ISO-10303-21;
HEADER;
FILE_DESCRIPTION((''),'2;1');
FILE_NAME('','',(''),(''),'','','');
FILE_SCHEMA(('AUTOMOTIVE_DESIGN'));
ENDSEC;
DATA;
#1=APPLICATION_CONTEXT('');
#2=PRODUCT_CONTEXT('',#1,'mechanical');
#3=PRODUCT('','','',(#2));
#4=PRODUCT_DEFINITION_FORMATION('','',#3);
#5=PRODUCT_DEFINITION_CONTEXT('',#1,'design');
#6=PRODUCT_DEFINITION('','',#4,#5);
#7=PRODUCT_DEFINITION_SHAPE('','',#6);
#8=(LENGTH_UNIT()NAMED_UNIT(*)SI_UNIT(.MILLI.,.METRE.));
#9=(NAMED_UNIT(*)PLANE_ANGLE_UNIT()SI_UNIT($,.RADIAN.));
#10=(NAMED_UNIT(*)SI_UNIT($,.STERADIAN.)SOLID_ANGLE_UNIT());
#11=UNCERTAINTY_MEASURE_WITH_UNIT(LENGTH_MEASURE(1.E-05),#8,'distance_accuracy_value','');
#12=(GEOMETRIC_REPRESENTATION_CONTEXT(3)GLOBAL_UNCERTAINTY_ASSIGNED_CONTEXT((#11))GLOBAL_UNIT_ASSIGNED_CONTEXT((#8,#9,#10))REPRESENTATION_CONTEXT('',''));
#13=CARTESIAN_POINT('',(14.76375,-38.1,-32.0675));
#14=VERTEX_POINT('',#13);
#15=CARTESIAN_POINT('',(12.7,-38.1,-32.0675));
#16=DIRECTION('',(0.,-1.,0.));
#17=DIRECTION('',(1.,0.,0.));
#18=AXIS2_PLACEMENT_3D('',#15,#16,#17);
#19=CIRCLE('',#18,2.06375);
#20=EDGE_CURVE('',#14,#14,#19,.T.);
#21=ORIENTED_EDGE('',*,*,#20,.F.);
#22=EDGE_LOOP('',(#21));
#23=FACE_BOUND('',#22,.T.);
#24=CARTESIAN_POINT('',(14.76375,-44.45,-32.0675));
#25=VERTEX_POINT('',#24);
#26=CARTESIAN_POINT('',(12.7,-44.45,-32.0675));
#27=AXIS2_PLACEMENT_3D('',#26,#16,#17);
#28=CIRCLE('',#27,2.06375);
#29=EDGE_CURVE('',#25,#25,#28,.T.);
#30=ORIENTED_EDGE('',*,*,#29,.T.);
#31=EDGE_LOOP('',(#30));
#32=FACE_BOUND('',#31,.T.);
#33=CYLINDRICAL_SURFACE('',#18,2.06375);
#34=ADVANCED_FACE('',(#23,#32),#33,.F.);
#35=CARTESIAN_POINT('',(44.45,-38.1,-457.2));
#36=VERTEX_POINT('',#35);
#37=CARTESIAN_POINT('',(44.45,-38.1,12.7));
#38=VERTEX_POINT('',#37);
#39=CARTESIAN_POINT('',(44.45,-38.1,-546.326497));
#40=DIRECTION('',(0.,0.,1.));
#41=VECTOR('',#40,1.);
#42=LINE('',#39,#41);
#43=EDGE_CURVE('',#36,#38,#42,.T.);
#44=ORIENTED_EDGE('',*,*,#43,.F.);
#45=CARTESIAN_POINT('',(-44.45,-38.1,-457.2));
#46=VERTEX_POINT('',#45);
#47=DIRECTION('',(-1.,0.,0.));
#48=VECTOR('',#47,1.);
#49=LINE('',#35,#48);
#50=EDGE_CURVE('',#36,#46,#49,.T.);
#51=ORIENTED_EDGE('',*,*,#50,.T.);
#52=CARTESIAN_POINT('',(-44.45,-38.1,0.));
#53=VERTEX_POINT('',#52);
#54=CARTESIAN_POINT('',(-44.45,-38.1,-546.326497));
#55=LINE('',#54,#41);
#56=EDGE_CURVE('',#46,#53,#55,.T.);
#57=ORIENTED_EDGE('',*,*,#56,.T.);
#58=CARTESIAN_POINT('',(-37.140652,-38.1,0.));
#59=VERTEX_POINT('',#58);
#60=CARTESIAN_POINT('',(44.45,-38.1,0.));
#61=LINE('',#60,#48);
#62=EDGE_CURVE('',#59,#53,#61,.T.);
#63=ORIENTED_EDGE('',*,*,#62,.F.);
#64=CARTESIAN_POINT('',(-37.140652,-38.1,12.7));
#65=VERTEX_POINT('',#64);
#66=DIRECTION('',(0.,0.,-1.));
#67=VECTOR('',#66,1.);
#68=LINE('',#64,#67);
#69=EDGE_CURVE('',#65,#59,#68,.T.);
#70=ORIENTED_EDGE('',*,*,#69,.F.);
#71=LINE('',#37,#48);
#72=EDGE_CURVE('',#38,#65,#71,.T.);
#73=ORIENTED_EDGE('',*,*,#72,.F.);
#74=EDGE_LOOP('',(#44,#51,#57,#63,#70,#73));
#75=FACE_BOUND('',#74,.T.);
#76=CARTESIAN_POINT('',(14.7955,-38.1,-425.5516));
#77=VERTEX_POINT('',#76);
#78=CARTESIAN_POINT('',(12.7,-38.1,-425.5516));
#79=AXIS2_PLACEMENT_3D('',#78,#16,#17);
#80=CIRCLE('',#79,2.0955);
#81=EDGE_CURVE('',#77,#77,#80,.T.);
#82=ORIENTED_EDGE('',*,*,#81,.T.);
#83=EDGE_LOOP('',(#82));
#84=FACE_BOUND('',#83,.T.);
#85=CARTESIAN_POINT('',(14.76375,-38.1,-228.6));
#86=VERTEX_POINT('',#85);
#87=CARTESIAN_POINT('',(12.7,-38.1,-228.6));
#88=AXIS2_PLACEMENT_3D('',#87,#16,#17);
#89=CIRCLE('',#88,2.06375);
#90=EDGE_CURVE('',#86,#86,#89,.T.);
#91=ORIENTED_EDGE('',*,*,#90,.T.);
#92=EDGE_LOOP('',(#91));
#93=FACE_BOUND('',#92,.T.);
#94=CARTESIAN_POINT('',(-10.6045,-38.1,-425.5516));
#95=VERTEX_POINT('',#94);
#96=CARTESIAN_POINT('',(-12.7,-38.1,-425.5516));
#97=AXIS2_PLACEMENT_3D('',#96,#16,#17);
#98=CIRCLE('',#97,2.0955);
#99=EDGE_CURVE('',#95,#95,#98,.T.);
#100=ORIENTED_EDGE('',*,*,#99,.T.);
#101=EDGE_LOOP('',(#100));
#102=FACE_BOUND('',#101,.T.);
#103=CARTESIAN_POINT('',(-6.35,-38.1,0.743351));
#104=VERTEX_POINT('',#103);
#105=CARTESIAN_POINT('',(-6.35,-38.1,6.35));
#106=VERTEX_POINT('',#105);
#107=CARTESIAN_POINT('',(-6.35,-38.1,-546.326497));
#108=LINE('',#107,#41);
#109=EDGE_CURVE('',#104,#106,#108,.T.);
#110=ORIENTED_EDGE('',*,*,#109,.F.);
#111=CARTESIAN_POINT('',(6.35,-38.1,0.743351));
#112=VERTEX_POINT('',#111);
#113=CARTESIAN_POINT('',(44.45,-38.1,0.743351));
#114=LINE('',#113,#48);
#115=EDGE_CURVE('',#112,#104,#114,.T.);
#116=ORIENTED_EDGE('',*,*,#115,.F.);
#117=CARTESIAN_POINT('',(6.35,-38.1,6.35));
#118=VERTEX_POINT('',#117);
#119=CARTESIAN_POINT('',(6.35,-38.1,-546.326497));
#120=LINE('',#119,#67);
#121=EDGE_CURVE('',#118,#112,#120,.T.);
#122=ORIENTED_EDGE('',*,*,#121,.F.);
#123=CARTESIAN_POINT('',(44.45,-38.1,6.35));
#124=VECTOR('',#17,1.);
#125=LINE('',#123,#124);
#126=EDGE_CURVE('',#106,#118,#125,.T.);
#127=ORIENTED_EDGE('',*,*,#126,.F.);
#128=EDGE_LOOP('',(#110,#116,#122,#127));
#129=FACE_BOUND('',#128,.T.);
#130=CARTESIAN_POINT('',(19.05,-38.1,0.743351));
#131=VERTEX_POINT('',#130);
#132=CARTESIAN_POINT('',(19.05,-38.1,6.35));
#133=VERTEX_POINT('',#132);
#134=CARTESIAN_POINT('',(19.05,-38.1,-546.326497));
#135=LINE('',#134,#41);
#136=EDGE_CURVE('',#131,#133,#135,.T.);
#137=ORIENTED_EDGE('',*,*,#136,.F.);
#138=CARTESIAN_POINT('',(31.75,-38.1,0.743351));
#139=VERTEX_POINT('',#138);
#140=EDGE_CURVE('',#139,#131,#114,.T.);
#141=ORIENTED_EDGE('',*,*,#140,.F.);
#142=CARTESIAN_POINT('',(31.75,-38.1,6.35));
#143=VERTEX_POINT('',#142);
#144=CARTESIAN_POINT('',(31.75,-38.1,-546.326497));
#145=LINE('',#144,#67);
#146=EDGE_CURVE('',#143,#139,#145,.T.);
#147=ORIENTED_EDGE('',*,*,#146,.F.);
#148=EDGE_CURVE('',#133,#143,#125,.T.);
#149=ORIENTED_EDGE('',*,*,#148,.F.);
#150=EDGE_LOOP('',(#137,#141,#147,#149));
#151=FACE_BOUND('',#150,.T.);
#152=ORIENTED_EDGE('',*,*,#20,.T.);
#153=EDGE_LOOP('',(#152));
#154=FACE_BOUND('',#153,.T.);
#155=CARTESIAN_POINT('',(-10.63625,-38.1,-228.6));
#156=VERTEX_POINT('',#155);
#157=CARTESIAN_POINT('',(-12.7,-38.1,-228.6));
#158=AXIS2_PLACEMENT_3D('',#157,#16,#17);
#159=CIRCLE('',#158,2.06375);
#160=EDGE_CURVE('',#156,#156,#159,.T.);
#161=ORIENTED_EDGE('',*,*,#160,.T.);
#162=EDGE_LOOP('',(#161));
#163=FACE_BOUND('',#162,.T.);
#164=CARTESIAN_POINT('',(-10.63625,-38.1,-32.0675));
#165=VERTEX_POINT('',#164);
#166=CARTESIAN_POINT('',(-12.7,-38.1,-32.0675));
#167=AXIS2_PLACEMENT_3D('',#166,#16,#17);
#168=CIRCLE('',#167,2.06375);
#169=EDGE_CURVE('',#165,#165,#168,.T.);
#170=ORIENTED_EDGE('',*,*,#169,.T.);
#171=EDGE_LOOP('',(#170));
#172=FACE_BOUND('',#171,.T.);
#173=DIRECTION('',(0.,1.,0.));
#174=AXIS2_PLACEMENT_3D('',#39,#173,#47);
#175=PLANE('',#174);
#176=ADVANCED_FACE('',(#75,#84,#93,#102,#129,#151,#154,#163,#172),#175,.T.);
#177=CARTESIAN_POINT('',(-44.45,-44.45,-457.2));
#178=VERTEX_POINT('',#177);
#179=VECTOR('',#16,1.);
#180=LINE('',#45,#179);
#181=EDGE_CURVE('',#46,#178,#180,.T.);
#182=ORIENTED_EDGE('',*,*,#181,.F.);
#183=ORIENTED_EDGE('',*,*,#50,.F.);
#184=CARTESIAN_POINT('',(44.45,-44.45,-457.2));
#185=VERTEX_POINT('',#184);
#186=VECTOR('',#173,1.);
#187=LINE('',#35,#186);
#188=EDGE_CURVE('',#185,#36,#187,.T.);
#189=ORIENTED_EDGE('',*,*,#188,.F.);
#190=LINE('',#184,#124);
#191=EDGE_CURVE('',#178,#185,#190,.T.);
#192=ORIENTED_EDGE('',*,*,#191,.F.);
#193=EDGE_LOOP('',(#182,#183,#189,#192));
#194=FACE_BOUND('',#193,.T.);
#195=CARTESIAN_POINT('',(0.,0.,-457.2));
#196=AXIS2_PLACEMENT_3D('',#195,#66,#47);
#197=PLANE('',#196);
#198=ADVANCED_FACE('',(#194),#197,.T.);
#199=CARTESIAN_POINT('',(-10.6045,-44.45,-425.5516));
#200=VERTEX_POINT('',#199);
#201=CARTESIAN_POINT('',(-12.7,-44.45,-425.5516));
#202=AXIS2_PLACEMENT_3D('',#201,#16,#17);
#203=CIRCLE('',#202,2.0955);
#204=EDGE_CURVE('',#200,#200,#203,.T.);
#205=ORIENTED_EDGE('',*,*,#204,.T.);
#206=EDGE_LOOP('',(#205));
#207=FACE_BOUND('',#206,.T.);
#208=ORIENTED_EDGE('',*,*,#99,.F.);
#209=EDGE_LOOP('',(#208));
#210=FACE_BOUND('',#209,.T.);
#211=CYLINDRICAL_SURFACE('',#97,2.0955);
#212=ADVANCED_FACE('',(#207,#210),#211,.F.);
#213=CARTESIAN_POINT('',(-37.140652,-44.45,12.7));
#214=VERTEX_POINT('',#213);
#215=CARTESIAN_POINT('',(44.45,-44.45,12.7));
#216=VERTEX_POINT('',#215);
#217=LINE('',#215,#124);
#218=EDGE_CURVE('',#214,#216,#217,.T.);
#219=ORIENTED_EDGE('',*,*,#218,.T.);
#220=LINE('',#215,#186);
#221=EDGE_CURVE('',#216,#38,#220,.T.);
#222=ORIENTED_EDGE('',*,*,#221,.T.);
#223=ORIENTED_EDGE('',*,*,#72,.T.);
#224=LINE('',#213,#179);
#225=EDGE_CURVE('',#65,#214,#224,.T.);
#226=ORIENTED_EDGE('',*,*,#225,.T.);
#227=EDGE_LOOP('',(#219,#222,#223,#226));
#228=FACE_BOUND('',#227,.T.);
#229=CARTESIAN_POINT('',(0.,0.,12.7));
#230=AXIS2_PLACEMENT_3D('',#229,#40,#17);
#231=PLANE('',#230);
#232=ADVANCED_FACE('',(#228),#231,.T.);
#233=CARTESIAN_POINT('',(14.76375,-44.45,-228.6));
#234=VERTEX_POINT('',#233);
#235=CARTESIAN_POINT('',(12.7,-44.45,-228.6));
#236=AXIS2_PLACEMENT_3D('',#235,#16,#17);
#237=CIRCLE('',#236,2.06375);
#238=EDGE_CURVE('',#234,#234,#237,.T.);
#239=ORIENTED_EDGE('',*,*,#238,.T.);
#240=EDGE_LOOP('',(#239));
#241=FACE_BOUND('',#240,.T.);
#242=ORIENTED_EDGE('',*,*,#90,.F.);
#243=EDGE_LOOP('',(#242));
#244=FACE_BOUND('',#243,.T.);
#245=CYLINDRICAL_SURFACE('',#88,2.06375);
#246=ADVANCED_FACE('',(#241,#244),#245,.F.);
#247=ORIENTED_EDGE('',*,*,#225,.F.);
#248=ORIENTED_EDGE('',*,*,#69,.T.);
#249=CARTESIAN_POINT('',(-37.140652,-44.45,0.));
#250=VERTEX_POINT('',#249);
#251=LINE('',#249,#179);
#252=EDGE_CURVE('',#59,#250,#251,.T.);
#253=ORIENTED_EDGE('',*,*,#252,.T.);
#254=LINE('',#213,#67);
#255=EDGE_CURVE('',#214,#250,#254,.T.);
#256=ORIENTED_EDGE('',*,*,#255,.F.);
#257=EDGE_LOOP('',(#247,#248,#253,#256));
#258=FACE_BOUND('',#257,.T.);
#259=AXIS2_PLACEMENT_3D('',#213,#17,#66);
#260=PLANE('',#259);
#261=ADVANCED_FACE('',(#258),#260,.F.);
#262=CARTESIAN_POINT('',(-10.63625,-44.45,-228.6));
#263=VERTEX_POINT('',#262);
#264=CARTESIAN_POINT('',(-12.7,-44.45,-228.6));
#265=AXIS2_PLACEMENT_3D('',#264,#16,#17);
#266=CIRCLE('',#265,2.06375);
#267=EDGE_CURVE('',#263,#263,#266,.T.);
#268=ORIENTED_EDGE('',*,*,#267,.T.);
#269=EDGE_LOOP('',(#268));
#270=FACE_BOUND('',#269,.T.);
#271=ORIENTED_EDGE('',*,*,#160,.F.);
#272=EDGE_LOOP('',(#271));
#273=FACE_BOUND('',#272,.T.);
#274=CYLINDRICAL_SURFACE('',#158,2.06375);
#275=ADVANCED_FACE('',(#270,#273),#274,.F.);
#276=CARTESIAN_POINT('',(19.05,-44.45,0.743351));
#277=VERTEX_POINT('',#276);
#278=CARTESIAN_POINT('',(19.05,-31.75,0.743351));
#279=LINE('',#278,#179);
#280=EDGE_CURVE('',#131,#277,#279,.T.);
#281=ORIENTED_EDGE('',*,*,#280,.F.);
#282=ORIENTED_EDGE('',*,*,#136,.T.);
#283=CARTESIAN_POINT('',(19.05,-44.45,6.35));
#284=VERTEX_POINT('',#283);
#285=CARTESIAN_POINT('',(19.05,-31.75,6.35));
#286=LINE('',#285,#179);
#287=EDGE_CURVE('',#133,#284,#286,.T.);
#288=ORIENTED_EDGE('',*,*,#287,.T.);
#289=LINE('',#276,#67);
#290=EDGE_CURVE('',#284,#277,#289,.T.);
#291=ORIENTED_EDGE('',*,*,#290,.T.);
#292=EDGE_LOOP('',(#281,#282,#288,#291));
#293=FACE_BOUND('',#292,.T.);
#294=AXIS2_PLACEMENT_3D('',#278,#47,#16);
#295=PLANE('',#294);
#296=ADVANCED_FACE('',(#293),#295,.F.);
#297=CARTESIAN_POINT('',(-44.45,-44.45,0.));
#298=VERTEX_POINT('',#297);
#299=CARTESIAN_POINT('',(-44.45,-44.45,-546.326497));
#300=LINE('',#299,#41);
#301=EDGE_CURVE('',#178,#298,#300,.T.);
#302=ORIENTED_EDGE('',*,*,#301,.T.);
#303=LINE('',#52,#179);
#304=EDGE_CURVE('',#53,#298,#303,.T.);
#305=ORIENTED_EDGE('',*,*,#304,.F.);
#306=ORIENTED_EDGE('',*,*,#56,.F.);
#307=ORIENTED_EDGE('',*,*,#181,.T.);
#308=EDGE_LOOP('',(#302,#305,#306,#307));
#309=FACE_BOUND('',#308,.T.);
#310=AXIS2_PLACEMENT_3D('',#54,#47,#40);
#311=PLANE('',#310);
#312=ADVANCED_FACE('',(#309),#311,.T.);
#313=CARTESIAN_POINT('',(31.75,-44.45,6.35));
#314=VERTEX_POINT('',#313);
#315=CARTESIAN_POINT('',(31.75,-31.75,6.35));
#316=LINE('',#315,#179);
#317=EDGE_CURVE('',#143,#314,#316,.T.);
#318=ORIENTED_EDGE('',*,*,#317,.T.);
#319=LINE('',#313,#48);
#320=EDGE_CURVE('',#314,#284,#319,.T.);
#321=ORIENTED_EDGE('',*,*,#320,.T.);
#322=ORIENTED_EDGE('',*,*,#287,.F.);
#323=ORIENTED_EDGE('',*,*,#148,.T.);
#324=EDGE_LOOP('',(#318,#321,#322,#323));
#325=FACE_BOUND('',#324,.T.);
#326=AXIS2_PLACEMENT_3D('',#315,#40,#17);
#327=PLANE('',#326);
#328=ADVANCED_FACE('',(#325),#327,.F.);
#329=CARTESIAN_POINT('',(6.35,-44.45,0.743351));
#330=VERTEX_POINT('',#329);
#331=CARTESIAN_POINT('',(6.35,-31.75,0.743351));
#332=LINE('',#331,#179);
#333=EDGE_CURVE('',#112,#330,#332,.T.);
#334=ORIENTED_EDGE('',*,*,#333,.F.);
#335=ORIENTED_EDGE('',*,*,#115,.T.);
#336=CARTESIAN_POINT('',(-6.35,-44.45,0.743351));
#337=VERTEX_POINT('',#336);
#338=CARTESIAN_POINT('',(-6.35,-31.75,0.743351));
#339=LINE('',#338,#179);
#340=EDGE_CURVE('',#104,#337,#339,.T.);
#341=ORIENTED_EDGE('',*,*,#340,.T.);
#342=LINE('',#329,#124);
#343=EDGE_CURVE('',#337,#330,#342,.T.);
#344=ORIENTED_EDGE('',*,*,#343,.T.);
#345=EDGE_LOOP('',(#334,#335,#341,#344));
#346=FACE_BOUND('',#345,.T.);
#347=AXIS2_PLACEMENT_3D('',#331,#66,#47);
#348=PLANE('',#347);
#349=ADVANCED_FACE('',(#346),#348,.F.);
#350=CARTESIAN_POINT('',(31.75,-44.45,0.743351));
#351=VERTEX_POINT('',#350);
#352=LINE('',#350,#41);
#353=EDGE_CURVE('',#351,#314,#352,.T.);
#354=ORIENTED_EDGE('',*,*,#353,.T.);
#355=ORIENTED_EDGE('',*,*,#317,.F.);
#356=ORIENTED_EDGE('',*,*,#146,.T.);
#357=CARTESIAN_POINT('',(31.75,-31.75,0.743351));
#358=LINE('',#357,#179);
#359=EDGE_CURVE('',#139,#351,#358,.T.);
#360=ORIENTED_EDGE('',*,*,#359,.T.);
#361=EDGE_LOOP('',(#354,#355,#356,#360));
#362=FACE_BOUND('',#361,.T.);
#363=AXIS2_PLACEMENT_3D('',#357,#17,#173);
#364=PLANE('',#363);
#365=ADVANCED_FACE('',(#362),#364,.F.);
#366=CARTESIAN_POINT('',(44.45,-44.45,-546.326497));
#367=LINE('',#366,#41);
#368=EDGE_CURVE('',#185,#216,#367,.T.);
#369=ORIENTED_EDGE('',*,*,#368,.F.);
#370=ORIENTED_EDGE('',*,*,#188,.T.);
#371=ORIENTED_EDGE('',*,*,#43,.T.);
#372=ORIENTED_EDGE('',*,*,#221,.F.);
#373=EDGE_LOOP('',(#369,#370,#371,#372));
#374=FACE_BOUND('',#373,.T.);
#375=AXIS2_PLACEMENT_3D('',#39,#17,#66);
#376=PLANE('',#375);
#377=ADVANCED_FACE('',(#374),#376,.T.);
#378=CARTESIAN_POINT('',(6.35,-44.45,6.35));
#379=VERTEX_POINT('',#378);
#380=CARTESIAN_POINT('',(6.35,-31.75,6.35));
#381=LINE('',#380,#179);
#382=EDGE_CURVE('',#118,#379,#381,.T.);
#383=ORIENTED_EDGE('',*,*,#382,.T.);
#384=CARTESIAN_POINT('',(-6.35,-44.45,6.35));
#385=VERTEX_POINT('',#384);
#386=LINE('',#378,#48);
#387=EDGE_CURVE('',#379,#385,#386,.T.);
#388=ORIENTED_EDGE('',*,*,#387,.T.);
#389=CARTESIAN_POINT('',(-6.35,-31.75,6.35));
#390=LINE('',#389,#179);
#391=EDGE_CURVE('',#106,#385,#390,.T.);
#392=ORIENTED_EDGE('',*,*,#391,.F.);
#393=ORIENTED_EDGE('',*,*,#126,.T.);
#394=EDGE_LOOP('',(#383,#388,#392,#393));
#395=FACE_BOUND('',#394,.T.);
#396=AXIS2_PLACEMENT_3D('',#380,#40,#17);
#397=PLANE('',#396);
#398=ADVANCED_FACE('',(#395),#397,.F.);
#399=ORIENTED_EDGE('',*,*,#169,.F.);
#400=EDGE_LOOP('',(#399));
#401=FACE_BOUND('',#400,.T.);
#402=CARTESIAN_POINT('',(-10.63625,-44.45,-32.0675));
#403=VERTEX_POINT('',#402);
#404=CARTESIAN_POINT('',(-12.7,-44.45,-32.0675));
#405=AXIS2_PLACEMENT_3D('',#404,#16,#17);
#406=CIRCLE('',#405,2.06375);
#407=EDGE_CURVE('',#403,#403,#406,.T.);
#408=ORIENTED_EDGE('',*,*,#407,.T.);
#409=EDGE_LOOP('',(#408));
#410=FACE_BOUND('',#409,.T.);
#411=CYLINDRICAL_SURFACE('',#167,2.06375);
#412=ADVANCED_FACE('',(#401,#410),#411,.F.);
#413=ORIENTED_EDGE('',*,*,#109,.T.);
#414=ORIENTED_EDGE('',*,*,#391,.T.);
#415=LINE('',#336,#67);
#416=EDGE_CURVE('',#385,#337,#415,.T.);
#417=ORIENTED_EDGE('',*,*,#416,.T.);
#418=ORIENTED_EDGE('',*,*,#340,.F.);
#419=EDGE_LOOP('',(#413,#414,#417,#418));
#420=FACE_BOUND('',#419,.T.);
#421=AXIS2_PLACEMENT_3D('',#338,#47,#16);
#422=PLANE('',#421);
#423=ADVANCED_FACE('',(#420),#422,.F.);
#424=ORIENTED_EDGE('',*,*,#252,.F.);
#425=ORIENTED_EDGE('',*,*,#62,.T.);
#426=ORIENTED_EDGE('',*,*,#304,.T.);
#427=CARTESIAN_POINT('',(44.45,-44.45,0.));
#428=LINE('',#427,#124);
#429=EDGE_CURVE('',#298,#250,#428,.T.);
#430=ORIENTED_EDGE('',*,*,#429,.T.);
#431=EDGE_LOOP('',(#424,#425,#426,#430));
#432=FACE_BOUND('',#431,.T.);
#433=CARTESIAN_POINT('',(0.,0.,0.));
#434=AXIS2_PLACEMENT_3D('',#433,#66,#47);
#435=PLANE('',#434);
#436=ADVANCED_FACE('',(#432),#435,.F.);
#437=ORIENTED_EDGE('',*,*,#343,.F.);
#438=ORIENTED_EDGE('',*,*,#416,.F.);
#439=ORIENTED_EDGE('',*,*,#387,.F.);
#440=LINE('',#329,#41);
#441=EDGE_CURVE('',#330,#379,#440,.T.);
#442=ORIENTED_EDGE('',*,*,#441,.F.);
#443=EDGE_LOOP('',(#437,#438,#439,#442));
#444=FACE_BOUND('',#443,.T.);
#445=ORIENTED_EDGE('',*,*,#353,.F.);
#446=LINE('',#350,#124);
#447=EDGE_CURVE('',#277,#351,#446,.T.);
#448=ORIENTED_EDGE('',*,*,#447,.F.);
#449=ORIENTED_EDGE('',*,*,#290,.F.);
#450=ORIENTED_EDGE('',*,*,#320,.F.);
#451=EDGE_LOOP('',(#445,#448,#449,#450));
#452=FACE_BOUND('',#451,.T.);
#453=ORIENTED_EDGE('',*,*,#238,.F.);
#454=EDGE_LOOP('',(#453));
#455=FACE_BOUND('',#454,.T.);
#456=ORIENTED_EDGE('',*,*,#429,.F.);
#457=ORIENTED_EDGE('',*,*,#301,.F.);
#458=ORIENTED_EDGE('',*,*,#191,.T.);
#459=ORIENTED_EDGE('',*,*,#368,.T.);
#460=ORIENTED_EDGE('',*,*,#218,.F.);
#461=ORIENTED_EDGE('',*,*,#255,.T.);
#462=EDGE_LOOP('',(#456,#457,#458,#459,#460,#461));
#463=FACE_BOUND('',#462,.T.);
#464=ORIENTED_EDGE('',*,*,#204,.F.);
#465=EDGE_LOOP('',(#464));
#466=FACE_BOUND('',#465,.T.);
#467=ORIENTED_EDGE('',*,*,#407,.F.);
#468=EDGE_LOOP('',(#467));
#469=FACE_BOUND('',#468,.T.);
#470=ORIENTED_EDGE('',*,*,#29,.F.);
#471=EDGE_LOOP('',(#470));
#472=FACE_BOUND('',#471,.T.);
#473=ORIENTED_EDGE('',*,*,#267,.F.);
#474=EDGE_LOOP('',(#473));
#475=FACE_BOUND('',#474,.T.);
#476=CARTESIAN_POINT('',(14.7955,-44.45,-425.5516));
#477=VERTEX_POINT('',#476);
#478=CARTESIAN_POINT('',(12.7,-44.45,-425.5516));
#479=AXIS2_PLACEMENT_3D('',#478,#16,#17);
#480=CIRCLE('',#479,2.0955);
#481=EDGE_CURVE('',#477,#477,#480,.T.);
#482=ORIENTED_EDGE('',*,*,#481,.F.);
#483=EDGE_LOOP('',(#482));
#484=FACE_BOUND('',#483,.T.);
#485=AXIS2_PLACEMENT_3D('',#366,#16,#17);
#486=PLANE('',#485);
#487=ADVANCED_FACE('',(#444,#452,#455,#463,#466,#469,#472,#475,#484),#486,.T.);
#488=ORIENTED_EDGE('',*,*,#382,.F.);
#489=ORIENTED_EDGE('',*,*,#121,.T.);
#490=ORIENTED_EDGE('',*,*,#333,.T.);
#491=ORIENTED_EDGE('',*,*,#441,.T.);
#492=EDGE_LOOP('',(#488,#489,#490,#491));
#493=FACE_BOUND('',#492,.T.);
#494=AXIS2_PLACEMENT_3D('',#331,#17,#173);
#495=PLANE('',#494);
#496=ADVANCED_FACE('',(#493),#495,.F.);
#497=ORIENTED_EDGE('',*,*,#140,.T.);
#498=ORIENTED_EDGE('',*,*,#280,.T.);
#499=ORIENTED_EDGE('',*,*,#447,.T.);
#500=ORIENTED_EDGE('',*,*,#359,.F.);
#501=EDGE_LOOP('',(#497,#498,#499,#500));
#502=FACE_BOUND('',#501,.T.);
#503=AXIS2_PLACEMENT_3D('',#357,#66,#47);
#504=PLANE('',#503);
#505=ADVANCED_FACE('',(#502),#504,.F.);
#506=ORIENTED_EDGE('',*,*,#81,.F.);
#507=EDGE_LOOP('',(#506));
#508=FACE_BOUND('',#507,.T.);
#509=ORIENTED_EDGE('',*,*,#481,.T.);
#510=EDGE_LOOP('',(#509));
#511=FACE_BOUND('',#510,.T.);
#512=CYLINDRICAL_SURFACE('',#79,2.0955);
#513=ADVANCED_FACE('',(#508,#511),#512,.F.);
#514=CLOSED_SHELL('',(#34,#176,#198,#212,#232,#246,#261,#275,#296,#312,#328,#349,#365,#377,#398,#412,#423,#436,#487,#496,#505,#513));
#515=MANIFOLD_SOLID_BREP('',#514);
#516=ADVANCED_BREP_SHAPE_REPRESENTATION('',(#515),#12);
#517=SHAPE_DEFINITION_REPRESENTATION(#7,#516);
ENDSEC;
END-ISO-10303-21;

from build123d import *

# Parameters (mm, degrees)
SKETCH1_W           = 88.9
SKETCH1_H           = 6.35
BOSS_EXTRUDE1_DEPTH = 457.2
SKETCH2_R           = 2.06375
CUT_EXTRUDE1_DEPTH  = 460.399570091
SKETCH3_R           = 2.0955
CUT_EXTRUDE2_DEPTH  = 460.399570091
SKETCH4_W           = 81.59065151
SKETCH4_H           = 6.35
BOSS_EXTRUDE2_DEPTH = 12.7
SKETCH5_W           = 12.7
SKETCH5_H           = 5.60664933
CUT_EXTRUDE3_DEPTH  = 12.7


with BuildPart() as part:
    # Sketch1 → Boss-Extrude1 (new body)
    with BuildSketch(Plane.XY):
        with Locations((0, -41.275)):
            Rectangle(SKETCH1_W, SKETCH1_H)
    extrude(amount=-BOSS_EXTRUDE1_DEPTH)

    # Sketch2 → Cut-Extrude1 (cut, through all)
    with BuildSketch(Plane.XZ.offset(44.45)):
        with Locations((-12.7, -228.6)):
            Circle(SKETCH2_R)
        with Locations((12.7, -228.6)):
            Circle(SKETCH2_R)
        with Locations((-12.7, -32.0675)):
            Circle(SKETCH2_R)
        with Locations((12.7, -32.0675)):
            Circle(SKETCH2_R)
    extrude(amount=-CUT_EXTRUDE1_DEPTH, mode=Mode.SUBTRACT)

    # Sketch3 → Cut-Extrude2 (cut, through all)
    with BuildSketch(Plane(origin=(0, -44.45, 0), x_dir=(-1, 0, 0), z_dir=(0, -1, 0))):
        with Locations(Location((12.7, 425.5516, 0), (0, 0, 180))):
            Circle(SKETCH3_R)
        with Locations(Location((-12.7, 425.5516, 0), (0, 0, 180))):
            Circle(SKETCH3_R)
    extrude(amount=-CUT_EXTRUDE2_DEPTH, mode=Mode.SUBTRACT)

    # Sketch4 → Boss-Extrude2 (add)
    with BuildSketch(Plane.XY):
        with Locations((3.654674245, -41.275)):
            Rectangle(SKETCH4_W, SKETCH4_H)
    extrude(amount=BOSS_EXTRUDE2_DEPTH)

    # Sketch5 → Cut-Extrude3 (cut)
    with BuildSketch(Plane.XZ.offset(44.45)):
        with Locations((25.4, 3.546675335)):
            Rectangle(SKETCH5_W, SKETCH5_H)
        with Locations((0, 3.546675335)):
            Rectangle(SKETCH5_W, SKETCH5_H)
    extrude(amount=-CUT_EXTRUDE3_DEPTH, mode=Mode.SUBTRACT)


solid = part.part
